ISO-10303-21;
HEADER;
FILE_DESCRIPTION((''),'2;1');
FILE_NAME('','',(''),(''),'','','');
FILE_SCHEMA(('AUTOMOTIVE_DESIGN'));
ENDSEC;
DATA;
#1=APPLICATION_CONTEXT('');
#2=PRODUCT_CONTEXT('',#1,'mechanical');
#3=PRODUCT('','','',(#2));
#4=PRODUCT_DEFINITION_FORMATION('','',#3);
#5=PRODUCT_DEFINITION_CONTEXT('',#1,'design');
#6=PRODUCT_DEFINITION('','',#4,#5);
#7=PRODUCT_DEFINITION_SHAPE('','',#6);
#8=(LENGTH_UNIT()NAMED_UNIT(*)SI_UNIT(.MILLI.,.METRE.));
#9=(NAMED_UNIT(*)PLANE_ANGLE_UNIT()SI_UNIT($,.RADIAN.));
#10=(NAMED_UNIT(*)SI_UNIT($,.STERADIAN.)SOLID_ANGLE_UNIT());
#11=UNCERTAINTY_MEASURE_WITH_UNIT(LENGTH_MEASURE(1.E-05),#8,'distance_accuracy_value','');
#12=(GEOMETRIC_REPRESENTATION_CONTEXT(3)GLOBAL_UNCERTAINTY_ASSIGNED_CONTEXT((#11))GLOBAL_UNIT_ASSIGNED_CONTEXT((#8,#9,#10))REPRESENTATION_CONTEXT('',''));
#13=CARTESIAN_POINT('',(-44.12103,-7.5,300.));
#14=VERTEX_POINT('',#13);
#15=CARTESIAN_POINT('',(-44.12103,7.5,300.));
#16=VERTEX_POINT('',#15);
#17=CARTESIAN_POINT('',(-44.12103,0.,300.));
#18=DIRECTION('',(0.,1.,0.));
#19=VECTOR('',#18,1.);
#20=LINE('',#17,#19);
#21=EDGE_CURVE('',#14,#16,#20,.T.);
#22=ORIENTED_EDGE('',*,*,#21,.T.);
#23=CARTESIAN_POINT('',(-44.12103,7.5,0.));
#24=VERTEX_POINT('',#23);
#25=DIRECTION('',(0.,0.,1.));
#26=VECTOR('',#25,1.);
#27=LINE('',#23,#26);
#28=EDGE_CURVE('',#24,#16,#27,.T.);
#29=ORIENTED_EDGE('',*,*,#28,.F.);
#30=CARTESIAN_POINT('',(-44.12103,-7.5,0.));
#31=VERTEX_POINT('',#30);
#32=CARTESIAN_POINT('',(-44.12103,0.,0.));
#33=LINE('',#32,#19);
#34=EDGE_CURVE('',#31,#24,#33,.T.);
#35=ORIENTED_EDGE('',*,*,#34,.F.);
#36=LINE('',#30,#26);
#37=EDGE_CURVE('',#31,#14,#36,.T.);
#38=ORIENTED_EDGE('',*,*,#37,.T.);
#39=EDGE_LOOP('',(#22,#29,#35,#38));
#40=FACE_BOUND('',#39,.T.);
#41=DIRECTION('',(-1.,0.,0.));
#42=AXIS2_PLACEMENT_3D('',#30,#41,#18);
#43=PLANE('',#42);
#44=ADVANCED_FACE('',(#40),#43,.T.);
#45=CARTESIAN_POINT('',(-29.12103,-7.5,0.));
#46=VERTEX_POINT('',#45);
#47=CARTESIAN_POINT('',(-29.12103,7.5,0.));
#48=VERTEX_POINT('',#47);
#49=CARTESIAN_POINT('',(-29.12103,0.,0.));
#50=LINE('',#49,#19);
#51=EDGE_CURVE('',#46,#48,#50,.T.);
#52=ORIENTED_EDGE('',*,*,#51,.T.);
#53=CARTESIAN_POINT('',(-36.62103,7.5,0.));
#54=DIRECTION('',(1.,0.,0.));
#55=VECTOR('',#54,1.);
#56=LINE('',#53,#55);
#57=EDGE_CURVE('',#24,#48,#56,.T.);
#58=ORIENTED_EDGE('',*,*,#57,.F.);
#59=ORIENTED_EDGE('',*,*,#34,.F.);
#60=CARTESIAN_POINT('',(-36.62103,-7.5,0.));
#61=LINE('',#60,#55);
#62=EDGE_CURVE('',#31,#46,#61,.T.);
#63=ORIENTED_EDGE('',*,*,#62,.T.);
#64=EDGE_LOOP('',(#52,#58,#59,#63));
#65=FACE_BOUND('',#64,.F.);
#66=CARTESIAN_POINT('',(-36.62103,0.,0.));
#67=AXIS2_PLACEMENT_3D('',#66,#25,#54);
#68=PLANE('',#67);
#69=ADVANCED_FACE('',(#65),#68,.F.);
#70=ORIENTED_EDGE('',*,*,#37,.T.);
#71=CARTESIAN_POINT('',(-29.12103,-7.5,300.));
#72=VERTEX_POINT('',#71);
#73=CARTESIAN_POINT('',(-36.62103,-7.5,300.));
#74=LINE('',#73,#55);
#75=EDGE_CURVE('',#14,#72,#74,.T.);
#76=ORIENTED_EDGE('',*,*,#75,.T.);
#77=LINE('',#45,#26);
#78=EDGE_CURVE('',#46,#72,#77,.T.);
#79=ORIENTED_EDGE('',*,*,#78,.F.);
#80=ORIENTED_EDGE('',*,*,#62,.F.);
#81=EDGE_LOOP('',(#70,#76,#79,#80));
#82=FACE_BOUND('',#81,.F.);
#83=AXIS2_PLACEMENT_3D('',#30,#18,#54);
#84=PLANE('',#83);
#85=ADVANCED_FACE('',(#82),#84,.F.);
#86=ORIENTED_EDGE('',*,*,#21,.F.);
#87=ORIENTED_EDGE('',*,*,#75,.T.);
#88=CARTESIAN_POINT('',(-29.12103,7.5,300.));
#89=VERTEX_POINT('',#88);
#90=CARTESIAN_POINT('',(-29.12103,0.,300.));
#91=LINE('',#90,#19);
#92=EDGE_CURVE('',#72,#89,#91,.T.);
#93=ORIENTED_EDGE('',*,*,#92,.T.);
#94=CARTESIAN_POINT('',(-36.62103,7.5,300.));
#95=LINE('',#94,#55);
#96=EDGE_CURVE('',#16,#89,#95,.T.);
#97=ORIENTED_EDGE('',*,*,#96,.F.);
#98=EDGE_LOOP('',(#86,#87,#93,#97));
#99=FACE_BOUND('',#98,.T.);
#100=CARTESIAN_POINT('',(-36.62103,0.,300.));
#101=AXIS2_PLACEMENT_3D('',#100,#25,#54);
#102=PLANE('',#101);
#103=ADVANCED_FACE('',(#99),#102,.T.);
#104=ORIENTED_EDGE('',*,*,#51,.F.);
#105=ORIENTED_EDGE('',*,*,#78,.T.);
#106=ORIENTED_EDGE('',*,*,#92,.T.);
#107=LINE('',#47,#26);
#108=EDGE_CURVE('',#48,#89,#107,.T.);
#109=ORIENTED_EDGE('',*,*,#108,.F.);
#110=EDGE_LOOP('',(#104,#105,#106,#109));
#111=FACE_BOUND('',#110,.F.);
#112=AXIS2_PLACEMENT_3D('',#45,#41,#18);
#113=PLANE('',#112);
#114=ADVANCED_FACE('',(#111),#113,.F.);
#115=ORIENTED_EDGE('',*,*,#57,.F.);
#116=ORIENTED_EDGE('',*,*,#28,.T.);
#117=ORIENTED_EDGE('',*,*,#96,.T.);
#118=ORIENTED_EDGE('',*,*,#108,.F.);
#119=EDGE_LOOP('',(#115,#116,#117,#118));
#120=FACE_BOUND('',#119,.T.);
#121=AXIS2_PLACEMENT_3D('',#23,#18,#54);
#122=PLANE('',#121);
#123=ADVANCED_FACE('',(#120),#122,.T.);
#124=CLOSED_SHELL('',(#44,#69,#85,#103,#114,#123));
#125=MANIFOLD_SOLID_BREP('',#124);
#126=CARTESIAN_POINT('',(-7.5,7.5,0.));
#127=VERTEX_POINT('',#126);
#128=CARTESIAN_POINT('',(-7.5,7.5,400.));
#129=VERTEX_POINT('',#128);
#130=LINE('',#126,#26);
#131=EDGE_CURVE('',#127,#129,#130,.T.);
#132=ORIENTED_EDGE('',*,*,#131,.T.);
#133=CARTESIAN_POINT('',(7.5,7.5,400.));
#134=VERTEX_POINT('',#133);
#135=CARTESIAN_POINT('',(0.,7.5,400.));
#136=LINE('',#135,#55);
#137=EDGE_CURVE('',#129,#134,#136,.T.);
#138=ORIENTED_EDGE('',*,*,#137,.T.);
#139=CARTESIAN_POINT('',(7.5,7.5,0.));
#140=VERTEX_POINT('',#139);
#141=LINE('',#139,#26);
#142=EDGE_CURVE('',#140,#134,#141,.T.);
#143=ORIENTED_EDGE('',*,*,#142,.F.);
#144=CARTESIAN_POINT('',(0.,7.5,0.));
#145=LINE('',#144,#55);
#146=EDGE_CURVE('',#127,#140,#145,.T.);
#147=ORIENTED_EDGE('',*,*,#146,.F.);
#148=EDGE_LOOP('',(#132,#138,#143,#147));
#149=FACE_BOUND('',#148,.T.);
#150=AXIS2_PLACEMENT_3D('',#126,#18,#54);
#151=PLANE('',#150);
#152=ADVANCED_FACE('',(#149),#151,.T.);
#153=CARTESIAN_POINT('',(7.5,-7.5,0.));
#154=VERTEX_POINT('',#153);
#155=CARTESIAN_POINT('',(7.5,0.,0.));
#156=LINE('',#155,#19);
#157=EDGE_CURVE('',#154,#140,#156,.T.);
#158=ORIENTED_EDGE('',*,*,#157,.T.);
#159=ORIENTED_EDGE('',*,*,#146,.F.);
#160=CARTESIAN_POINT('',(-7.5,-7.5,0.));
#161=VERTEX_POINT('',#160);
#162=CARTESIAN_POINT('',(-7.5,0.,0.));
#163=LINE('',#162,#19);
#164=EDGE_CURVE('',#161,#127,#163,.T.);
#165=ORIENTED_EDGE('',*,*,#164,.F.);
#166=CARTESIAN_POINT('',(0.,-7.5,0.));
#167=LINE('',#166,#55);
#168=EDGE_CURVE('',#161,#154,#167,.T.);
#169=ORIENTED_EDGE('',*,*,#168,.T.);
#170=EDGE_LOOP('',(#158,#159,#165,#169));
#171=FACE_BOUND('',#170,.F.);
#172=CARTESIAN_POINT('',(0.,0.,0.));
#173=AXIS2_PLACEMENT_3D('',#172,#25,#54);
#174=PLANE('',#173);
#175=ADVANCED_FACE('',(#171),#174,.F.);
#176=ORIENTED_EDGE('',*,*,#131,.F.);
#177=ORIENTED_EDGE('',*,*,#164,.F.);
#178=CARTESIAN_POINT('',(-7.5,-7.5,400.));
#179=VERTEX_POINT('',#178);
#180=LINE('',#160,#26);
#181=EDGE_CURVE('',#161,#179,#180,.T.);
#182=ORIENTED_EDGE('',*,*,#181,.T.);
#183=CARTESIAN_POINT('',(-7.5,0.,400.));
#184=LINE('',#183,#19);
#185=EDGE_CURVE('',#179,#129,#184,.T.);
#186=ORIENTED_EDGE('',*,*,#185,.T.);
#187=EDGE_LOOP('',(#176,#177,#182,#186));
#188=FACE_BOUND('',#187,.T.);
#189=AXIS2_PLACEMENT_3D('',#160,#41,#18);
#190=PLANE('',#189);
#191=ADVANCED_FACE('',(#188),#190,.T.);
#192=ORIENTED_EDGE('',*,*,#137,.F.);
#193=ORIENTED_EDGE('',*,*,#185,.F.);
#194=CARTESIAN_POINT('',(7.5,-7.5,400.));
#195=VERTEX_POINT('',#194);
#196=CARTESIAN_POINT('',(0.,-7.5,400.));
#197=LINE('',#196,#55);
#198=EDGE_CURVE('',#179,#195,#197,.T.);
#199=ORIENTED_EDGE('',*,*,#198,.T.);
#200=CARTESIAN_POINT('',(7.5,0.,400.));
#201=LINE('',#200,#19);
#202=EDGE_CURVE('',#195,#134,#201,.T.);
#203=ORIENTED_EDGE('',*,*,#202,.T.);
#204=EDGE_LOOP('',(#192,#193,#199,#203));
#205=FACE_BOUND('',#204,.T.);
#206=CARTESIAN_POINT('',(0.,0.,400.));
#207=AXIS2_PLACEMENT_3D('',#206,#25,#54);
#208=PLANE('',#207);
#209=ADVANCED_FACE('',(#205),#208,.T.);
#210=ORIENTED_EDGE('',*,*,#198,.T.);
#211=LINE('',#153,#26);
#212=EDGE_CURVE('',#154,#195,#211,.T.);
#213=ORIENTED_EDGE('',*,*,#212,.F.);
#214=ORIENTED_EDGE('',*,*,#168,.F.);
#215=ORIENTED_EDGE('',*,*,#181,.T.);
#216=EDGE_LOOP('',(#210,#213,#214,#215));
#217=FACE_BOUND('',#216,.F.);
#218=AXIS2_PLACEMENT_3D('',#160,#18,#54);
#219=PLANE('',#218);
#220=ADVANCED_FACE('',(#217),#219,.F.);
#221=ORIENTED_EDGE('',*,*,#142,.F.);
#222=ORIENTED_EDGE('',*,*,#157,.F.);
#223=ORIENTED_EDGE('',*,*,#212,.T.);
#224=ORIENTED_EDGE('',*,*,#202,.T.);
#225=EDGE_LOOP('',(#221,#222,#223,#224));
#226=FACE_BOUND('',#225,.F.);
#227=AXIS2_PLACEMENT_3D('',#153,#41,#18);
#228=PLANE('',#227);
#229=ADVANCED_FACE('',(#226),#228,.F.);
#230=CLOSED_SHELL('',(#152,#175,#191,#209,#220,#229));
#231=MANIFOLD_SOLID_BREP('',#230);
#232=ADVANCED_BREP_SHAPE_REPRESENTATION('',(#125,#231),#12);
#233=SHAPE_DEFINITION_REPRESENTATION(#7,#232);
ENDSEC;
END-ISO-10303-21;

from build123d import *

# Parameters (mm, degrees)
F0_W     = 15
F0_H     = 15
F1_DEPTH = 400
F4_W     = 15
F4_H     = 15
F5_DEPTH = 300


with BuildPart() as f1:
    # F0 (on Top) → F1 (new body)
    with BuildSketch(Plane.XY):
        Rectangle(F0_W, F0_H)
    extrude(amount=F1_DEPTH)


with BuildPart() as f2_1:
    # F2: copy of F1
    add(f1.part.moved(Location((-45.974, 0, 0))))


with BuildPart() as f5:
    # F4 (on Top) → F5 (new body)
    with BuildSketch(Plane.XY):
        with Locations((-36.62103, 0)):
            Rectangle(F4_W, F4_H)
    extrude(amount=F5_DEPTH)


solid = Compound([f1.part, f5.part])
